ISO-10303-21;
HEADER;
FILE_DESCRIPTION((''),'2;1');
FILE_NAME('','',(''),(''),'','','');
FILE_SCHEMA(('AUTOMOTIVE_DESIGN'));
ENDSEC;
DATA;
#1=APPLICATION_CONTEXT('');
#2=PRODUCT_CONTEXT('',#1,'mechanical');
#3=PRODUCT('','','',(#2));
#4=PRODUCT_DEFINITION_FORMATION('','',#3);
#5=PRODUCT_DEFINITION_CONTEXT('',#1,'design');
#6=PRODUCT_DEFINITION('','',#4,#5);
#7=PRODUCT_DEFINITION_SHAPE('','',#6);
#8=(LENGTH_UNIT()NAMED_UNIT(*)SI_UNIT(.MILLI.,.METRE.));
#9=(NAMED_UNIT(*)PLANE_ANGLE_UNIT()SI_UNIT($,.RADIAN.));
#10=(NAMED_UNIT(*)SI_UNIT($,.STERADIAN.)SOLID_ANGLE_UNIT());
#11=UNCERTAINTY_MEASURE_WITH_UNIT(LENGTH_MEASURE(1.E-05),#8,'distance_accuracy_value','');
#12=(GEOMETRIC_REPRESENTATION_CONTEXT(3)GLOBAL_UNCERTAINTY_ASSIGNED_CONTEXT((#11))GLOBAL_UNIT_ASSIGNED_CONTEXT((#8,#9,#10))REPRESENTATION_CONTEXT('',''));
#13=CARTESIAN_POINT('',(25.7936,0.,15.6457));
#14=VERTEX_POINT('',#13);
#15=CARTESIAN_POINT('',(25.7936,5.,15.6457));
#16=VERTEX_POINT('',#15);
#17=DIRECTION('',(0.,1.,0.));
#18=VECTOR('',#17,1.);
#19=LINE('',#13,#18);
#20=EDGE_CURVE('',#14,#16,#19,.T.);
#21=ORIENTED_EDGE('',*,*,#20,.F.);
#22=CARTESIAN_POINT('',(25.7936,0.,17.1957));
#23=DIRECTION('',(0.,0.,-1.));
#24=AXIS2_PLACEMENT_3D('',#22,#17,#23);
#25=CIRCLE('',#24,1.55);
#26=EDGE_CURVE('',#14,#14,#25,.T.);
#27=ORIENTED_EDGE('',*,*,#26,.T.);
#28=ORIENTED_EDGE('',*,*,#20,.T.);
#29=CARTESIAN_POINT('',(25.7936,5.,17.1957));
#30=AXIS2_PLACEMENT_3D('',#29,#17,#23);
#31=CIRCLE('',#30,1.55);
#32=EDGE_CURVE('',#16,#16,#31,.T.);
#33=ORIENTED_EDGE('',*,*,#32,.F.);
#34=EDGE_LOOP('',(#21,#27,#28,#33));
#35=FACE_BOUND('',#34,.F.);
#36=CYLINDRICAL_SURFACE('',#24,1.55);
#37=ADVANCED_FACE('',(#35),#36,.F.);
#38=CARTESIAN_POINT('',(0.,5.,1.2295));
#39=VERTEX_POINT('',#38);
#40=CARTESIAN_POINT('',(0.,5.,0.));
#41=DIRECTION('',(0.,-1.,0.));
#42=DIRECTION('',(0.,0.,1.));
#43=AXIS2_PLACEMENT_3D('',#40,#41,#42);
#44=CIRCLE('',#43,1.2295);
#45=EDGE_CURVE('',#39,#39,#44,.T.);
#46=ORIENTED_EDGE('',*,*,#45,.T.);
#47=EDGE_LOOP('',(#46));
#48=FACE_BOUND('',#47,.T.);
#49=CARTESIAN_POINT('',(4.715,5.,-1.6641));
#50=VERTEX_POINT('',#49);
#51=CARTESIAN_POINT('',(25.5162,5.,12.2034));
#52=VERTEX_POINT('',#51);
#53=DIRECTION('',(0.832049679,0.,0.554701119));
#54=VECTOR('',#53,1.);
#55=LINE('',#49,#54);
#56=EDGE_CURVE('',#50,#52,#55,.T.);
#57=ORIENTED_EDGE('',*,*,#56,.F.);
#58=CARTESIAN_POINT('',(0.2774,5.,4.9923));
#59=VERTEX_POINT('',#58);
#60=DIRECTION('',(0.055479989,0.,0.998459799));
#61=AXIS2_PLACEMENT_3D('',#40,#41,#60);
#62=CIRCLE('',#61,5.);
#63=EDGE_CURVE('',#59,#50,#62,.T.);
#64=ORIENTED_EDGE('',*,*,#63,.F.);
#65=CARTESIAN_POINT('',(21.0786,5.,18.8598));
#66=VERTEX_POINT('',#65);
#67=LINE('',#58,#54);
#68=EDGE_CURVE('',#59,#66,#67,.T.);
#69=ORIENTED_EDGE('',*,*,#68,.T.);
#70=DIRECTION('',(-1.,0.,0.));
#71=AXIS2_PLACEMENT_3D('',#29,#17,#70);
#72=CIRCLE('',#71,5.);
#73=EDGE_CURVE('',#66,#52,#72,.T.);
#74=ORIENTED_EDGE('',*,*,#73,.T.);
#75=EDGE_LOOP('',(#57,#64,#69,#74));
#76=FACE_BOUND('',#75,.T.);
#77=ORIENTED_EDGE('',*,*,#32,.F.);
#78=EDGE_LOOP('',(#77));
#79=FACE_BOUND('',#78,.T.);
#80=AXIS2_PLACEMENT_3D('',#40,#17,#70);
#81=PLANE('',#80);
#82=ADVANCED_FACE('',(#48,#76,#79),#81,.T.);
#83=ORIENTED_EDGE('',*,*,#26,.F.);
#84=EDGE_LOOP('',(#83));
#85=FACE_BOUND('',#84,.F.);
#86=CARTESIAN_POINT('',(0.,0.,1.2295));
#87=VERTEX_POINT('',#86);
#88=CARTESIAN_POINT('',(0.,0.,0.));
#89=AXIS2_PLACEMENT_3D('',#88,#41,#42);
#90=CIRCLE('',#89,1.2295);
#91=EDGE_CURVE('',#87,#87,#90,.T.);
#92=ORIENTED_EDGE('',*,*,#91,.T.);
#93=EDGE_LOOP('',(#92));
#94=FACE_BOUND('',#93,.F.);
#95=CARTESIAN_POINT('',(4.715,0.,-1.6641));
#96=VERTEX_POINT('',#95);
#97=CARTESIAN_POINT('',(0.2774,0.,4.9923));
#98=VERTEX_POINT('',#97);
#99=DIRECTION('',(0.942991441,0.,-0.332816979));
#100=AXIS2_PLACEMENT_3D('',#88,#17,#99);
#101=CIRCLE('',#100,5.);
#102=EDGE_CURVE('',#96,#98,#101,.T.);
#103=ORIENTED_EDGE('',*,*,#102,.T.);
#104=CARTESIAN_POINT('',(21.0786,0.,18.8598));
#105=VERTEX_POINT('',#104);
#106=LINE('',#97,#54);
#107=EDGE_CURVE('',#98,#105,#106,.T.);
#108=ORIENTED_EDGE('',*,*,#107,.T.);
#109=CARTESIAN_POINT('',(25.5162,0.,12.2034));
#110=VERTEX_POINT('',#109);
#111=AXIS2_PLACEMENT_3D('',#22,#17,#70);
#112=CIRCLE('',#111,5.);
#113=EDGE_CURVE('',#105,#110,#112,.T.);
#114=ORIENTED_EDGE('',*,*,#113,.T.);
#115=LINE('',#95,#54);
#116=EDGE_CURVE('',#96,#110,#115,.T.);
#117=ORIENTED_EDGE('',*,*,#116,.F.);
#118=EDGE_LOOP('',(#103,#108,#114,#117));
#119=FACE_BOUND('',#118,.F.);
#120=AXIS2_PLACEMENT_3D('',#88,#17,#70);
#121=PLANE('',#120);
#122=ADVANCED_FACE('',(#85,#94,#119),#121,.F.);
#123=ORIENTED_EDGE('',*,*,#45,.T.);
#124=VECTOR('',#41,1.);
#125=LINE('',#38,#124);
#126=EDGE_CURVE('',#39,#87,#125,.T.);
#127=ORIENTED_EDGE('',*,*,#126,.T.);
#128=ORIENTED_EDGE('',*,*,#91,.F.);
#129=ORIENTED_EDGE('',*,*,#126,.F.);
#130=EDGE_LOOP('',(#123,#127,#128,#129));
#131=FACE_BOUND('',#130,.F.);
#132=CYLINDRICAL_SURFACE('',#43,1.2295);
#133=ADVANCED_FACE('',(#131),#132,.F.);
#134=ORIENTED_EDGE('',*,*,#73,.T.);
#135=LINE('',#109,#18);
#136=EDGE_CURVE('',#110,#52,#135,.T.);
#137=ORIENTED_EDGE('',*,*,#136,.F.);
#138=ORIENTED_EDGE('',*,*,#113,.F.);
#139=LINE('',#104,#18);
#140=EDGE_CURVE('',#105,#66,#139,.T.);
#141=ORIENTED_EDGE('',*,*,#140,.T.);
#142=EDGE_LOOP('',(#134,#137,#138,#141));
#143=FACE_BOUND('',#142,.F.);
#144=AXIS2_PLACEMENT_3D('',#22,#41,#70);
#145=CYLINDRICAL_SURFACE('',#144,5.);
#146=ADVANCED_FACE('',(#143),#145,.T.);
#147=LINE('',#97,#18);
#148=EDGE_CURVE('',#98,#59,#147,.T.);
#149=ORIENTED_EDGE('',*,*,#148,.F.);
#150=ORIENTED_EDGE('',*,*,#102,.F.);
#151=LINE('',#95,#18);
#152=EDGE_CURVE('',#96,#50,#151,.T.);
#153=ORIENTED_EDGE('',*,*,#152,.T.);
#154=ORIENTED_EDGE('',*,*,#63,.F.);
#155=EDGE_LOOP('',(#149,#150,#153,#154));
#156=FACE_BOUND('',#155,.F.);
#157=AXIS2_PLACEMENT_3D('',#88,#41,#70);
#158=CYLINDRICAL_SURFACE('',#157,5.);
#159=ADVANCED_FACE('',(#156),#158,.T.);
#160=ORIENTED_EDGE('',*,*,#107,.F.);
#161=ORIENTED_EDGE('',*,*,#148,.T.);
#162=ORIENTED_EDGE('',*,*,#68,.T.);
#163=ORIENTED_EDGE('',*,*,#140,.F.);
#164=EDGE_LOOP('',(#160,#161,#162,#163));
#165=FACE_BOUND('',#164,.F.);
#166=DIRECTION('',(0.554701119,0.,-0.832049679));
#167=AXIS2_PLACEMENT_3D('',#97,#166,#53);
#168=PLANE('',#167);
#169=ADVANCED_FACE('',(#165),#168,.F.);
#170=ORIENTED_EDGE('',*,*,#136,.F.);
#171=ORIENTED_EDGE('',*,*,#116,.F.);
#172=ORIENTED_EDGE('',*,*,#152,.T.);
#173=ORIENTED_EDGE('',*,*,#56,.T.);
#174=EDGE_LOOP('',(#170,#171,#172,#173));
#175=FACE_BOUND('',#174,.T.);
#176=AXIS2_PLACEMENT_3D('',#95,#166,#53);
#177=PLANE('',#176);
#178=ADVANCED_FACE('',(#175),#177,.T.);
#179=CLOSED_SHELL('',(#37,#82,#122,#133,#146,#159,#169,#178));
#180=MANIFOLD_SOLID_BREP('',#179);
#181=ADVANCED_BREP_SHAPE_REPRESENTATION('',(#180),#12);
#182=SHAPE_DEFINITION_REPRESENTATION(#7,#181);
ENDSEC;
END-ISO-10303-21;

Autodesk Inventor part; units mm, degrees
ref_plane "YZ Plane" through (0, 0, 0) normal (1, 0, 0) x (0, 1, 0)
ref_plane "XZ Plane" through (0, 0, 0) normal (0, 1, 0) x (-1, 0, 0)
sketch "Sketch1" plane through (0, 0, 0) normal (0, 1, 0) x (-1, 0, 0)
  circle A0 centre (0, 0) radius 5
  circle A1 centre (-25.7936, 17.1957) radius 5
  line L0 (-4.715, -1.6641) -> (-25.5162, 12.2034)
  line L1 (-0.2774, 4.9923) -> (-21.0786, 18.8598)
  line L2 (0, 0) -> (-25.7936, 0) construction
  line L3 (-25.7936, 0) -> (-25.7936, 17.1957) construction
  line L4 (0, 0) -> (-25.7936, 17.1957) construction
  dimension "d0" = 10
  dimension "d1" = 10
  dimension "d2" = 4
  dimension "d3" = 4
  dimension "d27" = 25
  dimension "d28" = 33.69
extrude "Extrusion1" add sketch "Sketch1" along normal blind 5
sketch "Sketch2" plane through (0, 0, 0) normal (0, -1, 0) x (1, 0, 0)
  line L0 (0, 0) -> (25.7936, 17.1957) construction
  arc A0 (25.5162, 12.2034) -> (21.0786, 18.8598) centre (25.7936, 17.1957) ccw projected
  line L1 (0.2774, 4.9923) -> (21.0786, 18.8598) projected
  arc A1 (0.2774, 4.9923) -> (4.715, -1.6641) centre (0, 0) ccw projected
  line L2 (25.5162, 12.2034) -> (4.715, -1.6641) projected
hole "Hole1" at (25.7936, 0, 17.1957) direction (0, 1, 0) diameter 3.1 end through all
ref_plane "Work Plane1" through (0, 1.5, 0) normal (0, 1, 0) x (1, 0, 0)
sketch "Sketch4" plane through (0, 5, 0) normal (0, 1, 0) x (1, 0, 0)
  circle A0 centre (25.7936, -17.1957) radius 1.55 projected
  arc A1 (21.0786, -18.8598) -> (25.5162, -12.2034) centre (25.7936, -17.1957) ccw projected
  line L0 (25.5162, -12.2034) -> (4.715, 1.6641) projected
  arc A2 (4.715, 1.6641) -> (0.2774, -4.9923) centre (0, 0) ccw projected
  line L1 (0.2774, -4.9923) -> (21.0786, -18.8598) projected
hole "Hole2" at (0, 5, 0) direction (0, -1, 0) diameter 2.459 end through all thread size "M3x0.5" class "6H" standard "ISO Metric profile"
properties part number "gripper_hand_connector"
